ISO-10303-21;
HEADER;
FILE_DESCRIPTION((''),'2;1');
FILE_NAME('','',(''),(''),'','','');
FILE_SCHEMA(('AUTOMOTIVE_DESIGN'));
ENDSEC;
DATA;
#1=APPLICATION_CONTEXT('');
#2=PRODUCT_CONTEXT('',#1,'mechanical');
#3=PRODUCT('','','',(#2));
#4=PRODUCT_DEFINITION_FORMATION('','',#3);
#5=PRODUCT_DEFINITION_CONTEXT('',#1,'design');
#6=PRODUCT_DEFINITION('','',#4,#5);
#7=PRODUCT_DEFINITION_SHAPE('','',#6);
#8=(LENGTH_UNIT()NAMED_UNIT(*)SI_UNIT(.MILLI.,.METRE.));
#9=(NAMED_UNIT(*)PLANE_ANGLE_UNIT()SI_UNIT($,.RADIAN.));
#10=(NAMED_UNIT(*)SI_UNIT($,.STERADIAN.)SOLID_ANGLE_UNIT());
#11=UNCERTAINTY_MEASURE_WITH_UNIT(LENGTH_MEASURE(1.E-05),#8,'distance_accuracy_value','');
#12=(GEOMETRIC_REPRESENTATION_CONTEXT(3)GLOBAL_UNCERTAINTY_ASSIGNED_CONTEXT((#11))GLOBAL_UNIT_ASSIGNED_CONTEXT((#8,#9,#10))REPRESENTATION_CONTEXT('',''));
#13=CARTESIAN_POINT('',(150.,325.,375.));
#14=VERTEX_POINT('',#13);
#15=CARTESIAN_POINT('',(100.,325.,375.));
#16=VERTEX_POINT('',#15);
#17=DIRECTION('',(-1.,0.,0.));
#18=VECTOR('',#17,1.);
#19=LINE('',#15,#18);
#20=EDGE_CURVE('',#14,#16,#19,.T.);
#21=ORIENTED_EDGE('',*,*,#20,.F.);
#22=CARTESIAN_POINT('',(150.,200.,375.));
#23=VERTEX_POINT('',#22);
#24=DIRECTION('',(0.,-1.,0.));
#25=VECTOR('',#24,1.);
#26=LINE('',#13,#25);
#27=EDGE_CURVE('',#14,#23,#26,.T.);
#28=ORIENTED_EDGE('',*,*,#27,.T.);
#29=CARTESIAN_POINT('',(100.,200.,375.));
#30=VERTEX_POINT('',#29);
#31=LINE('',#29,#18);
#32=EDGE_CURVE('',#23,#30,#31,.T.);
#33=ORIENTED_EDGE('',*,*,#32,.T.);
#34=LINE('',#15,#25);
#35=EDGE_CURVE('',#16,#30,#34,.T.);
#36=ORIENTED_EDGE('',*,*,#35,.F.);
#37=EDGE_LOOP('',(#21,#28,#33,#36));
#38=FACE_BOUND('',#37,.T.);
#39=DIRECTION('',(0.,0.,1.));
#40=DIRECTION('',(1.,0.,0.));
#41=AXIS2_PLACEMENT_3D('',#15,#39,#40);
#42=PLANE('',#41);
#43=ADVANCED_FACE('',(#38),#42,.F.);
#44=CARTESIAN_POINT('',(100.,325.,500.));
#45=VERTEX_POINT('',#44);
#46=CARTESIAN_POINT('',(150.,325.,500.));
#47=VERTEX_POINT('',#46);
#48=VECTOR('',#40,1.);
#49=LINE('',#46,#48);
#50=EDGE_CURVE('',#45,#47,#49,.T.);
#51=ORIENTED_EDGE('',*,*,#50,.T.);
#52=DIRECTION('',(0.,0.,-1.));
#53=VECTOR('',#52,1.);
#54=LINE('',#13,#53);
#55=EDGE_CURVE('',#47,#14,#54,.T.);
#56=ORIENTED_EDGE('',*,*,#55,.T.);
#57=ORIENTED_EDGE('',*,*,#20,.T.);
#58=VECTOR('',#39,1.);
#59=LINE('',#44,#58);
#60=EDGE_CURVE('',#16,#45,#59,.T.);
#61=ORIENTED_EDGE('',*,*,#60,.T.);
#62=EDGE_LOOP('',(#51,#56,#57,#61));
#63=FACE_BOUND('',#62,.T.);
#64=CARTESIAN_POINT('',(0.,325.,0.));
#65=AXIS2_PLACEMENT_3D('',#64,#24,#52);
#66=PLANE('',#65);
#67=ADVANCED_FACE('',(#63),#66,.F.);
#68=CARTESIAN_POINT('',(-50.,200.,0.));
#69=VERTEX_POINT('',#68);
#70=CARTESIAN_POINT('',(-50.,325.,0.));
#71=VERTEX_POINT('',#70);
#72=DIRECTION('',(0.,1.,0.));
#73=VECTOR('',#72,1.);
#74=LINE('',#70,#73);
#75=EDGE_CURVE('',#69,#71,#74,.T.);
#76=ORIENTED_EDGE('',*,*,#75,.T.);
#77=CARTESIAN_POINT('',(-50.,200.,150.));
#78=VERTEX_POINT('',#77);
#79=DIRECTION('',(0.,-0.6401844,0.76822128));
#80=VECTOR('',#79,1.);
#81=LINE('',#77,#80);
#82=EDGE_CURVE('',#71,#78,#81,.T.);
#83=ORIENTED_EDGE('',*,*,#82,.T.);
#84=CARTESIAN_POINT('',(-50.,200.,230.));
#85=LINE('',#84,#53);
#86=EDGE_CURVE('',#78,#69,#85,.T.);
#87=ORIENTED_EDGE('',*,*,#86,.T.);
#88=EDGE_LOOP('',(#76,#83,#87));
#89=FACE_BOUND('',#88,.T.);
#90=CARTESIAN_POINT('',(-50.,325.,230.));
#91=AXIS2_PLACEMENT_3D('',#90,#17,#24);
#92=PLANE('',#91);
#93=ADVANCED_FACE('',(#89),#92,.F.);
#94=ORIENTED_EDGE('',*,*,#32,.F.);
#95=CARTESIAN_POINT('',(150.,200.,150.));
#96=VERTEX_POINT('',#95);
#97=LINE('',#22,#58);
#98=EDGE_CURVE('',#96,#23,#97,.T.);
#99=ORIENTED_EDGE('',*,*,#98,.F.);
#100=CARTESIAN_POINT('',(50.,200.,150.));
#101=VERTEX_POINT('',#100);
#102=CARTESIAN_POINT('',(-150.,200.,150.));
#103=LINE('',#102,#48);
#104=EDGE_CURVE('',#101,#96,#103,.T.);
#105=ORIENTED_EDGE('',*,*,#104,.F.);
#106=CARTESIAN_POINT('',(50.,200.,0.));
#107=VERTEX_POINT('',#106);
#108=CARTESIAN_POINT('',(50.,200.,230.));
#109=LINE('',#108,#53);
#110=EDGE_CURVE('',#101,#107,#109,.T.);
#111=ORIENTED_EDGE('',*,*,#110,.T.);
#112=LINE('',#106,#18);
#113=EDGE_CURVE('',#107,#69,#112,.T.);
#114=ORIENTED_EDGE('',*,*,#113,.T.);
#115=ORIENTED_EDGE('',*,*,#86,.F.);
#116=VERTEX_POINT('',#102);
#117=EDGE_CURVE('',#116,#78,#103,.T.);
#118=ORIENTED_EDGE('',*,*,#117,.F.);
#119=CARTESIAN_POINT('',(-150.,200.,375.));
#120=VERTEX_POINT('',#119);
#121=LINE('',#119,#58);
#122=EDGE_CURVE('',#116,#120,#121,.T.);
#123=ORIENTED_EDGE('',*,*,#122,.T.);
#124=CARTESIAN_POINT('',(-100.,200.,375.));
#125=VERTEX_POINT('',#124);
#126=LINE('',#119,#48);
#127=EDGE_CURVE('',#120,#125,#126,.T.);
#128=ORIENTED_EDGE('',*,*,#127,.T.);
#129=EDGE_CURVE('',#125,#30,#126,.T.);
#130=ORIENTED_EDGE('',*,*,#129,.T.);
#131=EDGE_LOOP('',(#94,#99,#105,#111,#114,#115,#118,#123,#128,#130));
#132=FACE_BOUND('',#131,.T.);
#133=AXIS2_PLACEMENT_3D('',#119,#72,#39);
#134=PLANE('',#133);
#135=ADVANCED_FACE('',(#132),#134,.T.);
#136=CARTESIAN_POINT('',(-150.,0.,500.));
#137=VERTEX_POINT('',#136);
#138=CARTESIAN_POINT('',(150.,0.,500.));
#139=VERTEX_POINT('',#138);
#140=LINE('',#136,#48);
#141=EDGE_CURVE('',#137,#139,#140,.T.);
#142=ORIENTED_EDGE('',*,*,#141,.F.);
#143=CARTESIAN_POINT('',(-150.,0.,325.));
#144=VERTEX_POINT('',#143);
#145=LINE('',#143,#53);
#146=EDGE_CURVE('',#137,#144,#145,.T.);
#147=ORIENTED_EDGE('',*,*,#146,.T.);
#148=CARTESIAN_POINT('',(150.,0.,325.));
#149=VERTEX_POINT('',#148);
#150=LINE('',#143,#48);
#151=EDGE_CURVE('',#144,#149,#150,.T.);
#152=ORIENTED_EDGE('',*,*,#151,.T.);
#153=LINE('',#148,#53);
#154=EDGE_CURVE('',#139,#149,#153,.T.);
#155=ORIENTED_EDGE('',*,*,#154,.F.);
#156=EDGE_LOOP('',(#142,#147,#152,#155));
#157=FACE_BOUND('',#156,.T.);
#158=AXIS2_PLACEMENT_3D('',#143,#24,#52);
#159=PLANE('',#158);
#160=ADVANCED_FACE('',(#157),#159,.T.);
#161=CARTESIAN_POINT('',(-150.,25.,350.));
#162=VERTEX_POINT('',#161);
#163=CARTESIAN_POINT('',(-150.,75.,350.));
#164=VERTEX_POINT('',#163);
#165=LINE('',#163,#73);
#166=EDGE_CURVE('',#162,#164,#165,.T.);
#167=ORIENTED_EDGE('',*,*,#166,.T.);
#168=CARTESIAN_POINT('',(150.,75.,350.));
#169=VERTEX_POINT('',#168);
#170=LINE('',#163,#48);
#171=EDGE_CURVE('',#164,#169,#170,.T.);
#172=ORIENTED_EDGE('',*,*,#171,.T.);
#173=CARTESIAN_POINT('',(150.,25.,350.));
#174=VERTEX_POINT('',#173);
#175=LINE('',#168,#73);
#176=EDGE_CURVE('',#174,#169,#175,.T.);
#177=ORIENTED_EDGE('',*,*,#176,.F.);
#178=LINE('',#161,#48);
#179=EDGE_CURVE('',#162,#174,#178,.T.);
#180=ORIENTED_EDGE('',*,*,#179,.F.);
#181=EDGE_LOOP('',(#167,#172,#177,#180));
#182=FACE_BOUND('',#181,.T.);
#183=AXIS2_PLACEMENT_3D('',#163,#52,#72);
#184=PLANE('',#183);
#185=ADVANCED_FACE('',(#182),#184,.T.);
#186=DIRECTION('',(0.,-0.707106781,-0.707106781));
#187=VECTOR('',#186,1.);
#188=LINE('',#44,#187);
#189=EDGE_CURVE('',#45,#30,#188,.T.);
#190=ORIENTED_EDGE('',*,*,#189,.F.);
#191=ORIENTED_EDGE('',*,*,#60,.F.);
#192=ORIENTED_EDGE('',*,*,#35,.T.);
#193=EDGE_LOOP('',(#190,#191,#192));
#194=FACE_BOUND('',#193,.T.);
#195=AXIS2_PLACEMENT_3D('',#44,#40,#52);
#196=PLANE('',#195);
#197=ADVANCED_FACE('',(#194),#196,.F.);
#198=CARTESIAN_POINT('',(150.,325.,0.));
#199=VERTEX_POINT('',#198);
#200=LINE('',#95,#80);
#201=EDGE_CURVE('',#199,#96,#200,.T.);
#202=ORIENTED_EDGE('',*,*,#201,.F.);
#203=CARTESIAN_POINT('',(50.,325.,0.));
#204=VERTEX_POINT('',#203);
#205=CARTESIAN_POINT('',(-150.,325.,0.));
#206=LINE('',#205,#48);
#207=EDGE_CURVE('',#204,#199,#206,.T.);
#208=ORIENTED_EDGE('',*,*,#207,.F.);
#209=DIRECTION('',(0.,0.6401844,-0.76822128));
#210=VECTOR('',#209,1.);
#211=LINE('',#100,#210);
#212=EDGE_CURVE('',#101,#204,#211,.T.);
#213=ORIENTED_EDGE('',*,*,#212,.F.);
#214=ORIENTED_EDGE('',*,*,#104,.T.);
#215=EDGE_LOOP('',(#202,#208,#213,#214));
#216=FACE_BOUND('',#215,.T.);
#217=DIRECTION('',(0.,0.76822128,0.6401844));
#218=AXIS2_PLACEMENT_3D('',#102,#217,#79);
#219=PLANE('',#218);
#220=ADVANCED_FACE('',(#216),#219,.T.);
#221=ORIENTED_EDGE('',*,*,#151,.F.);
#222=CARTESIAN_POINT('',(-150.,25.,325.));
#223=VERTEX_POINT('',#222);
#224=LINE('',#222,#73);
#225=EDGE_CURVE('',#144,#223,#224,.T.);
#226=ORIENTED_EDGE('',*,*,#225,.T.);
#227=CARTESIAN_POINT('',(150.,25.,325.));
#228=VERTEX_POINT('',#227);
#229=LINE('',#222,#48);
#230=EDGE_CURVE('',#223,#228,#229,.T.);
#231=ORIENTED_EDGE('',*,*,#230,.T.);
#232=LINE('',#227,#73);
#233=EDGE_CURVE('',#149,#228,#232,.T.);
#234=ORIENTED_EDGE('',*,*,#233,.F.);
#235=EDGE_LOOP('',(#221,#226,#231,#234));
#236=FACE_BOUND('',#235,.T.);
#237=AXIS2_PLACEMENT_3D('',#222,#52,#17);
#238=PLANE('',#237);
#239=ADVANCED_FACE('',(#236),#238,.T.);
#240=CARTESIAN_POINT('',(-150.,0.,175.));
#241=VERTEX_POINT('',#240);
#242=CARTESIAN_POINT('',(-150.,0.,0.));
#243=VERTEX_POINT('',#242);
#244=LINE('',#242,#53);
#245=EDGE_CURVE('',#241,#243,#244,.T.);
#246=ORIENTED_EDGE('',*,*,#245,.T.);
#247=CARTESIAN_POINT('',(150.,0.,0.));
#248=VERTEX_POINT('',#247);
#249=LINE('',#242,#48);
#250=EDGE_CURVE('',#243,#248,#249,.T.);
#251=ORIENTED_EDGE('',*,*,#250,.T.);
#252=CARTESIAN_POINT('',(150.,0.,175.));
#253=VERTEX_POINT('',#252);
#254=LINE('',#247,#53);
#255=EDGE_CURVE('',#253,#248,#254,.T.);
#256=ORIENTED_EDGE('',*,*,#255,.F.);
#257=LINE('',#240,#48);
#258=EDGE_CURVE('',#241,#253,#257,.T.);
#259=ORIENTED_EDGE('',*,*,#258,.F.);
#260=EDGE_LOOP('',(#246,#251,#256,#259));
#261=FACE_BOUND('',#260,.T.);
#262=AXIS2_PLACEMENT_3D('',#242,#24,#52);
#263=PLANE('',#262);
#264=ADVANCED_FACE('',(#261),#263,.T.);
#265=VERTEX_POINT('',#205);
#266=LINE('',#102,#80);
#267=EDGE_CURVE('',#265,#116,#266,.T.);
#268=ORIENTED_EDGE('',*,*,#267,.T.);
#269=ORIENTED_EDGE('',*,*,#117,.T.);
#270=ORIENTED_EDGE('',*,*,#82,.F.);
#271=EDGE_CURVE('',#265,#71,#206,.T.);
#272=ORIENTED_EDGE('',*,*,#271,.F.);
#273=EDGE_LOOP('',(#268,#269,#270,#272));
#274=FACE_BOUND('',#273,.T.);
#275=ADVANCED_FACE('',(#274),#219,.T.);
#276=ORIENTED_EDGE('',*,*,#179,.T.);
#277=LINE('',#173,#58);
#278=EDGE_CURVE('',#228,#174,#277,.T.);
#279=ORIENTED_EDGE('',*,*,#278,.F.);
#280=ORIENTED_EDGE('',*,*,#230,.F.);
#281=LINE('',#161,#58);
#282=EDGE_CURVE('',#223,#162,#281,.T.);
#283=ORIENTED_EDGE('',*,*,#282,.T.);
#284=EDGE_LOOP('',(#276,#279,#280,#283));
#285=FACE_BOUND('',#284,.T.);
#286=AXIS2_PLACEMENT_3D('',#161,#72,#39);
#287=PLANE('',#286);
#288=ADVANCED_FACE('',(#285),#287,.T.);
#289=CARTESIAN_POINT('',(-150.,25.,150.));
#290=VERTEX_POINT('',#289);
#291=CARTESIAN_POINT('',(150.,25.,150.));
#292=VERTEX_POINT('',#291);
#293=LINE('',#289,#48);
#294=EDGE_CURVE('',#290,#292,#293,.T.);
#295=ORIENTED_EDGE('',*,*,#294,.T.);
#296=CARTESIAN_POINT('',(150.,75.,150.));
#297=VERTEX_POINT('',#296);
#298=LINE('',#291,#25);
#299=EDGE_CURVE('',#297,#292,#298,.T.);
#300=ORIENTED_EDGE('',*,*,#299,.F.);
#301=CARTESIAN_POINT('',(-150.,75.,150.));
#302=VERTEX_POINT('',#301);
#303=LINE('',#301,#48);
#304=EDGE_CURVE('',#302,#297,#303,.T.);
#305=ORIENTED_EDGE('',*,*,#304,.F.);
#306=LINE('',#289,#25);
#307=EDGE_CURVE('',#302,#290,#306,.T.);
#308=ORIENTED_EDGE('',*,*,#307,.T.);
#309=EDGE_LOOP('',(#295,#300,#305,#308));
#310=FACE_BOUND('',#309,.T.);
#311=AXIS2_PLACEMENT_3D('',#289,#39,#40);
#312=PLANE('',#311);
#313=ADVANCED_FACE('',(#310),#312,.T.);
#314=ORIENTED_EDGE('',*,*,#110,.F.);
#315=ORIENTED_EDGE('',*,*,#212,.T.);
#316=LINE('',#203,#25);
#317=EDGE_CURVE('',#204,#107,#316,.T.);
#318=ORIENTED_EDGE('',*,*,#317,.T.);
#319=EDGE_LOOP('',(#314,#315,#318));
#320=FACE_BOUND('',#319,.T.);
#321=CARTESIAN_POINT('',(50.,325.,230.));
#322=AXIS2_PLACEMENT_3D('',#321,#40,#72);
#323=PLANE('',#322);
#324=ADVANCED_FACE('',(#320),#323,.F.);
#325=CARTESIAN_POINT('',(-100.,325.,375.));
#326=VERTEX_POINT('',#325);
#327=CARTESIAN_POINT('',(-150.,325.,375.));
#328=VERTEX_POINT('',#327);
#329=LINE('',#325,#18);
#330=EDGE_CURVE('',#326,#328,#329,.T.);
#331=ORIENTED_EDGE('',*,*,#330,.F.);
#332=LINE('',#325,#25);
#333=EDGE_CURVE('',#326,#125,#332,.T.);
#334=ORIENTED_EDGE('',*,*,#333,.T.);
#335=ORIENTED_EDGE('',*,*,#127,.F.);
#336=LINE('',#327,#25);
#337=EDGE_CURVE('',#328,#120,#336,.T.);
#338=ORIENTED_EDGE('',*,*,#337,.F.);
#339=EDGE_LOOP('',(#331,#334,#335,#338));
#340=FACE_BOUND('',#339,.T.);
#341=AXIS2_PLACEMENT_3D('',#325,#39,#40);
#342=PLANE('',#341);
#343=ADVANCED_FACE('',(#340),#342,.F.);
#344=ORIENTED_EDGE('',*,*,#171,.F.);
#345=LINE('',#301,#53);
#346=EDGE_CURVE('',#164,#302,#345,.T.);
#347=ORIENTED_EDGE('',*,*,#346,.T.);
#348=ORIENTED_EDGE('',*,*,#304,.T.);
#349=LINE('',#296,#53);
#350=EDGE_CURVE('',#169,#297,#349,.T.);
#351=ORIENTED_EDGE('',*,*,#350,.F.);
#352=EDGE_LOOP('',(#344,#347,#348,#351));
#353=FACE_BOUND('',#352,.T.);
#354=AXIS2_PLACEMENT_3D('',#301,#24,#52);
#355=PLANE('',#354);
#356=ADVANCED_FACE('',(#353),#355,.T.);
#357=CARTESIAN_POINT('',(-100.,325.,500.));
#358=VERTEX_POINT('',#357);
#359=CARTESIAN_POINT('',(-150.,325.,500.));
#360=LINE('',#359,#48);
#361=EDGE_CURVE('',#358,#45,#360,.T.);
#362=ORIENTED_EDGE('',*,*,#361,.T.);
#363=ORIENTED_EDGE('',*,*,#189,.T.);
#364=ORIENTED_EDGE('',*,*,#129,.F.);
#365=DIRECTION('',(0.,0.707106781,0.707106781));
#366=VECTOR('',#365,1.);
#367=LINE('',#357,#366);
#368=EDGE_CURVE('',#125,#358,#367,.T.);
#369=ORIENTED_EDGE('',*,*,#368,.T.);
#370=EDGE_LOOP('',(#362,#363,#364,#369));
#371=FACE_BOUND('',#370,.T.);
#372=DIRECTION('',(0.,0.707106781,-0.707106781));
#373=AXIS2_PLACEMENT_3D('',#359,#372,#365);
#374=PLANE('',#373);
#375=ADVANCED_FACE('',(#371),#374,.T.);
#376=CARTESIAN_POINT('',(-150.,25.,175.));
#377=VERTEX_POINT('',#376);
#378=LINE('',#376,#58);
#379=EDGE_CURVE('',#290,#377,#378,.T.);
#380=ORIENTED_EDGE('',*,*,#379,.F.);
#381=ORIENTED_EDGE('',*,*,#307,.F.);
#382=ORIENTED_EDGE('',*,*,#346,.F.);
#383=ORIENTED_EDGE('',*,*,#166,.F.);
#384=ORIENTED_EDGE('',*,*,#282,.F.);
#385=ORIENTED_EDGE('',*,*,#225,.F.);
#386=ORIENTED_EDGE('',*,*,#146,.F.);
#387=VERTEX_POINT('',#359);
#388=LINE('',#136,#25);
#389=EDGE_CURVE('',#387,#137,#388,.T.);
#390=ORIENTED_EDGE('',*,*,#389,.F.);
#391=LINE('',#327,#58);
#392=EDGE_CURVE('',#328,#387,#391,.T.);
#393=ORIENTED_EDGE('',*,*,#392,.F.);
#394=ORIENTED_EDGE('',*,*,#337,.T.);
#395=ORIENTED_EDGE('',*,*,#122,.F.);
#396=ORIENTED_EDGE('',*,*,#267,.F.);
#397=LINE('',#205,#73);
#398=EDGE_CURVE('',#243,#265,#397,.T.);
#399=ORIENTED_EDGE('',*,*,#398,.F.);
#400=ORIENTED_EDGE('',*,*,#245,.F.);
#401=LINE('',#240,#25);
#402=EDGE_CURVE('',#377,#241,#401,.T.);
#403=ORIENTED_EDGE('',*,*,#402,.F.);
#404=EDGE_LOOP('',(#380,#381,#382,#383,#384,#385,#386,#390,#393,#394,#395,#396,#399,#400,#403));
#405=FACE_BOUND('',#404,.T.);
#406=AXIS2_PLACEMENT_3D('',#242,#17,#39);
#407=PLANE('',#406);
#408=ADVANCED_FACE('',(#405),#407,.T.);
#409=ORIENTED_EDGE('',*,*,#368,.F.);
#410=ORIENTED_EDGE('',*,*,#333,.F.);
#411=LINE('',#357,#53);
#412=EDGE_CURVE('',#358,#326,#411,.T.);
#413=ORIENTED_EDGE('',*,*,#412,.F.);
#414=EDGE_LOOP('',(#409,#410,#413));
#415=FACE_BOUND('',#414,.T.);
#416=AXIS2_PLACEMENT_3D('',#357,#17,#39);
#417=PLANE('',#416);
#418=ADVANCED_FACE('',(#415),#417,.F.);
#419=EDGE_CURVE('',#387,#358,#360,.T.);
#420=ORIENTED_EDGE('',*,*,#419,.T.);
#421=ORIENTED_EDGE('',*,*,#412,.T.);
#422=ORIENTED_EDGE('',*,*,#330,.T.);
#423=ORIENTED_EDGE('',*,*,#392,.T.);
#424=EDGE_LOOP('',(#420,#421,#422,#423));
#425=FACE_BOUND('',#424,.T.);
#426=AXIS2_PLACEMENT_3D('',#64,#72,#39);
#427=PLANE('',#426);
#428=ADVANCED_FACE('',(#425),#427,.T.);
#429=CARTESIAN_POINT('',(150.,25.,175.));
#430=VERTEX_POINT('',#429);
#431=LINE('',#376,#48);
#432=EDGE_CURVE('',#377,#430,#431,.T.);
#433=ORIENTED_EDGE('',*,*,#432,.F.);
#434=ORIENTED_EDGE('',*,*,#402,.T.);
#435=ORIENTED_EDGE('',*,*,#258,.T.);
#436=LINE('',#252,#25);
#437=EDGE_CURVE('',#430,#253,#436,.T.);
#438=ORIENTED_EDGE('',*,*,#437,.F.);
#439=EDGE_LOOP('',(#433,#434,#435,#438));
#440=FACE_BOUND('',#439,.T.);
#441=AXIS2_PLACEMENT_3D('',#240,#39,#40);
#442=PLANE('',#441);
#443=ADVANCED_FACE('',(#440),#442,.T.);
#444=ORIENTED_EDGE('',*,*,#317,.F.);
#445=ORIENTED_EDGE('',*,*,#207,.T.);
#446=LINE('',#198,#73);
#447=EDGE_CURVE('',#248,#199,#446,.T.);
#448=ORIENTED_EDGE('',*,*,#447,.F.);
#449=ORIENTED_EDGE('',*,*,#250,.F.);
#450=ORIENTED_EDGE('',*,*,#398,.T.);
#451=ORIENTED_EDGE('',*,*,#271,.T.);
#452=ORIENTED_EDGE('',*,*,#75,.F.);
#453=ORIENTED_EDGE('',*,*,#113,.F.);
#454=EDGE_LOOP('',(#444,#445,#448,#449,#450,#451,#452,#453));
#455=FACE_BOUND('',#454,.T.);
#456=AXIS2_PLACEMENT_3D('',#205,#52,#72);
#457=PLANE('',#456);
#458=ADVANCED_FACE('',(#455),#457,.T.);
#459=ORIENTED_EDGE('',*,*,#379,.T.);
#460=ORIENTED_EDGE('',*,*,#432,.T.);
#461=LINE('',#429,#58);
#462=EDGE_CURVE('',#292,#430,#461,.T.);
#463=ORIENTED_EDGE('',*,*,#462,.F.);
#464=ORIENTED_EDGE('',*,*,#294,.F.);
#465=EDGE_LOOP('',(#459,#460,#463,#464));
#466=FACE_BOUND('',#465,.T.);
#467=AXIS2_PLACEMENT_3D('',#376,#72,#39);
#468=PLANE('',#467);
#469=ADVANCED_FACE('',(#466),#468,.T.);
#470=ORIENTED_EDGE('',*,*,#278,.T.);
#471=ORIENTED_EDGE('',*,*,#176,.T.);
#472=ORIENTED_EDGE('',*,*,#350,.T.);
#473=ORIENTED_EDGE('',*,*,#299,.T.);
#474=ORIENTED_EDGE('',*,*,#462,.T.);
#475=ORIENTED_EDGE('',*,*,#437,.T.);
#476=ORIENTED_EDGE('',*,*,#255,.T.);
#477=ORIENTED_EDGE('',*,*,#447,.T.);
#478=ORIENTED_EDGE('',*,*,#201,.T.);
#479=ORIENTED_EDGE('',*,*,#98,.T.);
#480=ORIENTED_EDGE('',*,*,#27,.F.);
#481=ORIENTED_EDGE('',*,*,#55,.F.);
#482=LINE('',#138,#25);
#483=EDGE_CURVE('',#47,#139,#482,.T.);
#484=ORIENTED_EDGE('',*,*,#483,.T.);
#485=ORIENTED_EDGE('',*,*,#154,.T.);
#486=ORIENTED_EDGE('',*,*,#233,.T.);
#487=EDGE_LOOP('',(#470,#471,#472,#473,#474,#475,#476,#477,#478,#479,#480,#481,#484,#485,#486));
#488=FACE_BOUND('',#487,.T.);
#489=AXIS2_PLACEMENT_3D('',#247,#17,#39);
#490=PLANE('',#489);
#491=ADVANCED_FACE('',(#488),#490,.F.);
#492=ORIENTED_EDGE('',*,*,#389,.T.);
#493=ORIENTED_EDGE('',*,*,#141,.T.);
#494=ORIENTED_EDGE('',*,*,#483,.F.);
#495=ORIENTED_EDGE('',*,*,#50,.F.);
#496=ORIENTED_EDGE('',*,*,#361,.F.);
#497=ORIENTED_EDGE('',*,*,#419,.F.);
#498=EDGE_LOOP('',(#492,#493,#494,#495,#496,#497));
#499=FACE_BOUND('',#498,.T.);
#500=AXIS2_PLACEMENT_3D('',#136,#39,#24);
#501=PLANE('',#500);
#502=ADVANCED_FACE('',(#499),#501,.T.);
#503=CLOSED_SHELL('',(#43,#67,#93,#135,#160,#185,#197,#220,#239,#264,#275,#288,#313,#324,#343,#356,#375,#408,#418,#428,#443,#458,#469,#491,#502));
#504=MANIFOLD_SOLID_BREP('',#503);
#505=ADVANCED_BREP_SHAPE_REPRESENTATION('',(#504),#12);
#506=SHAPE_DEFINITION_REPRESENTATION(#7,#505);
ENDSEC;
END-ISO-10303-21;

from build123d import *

# Parameters (mm, degrees)
BOSS_EXTRUDE1_DEPTH      = 150
BOSS_EXTRUDE1_DEPTH_BACK = 150
SKETCH3_W                = 50
SKETCH3_H                = 125
BOSS_EXTRUDE2_DEPTH      = 125
SKETCH4_W                = 100
SKETCH4_H                = 125
CUT_EXTRUDE1_DEPTH       = 230


with BuildPart() as part:
    # Sketch1 → Boss-Extrude1 (new, two sides: drawn at the far end of the back side and taken through both)
    with BuildSketch(Plane(origin=(0, 0, 0), x_dir=(0, 0, -1), z_dir=(1, 0, 0)).offset(-BOSS_EXTRUDE1_DEPTH_BACK)):
        Polygon((0, 0), (-175, 0), (-175, 25), (-150, 25), (-150, 75), (-350, 75), (-350, 25), (-325, 25), (-325, 0), (-500, 0), (-500, 325), (-375, 200), (-150, 200), (0, 325), align=None)
    extrude(amount=BOSS_EXTRUDE1_DEPTH + BOSS_EXTRUDE1_DEPTH_BACK)

    # Sketch3 → Boss-Extrude2 (add)
    with BuildSketch(Plane(origin=(0, 200, 0), x_dir=(1, 0, 0), z_dir=(0, 1, 0))):
        with Locations((125, -437.5)):
            Rectangle(SKETCH3_W, SKETCH3_H)
        with Locations((-125, -437.5)):
            Rectangle(SKETCH3_W, SKETCH3_H)
    extrude(amount=BOSS_EXTRUDE2_DEPTH)

    # Sketch4 → Cut-Extrude1 (cut)
    with BuildSketch(Plane(origin=(0, 0, 0), x_dir=(-1, 0, 0), z_dir=(0, 0, -1))):
        with Locations((0, 262.5)):
            Rectangle(SKETCH4_W, SKETCH4_H)
    extrude(amount=-CUT_EXTRUDE1_DEPTH, mode=Mode.SUBTRACT)


solid = part.part
